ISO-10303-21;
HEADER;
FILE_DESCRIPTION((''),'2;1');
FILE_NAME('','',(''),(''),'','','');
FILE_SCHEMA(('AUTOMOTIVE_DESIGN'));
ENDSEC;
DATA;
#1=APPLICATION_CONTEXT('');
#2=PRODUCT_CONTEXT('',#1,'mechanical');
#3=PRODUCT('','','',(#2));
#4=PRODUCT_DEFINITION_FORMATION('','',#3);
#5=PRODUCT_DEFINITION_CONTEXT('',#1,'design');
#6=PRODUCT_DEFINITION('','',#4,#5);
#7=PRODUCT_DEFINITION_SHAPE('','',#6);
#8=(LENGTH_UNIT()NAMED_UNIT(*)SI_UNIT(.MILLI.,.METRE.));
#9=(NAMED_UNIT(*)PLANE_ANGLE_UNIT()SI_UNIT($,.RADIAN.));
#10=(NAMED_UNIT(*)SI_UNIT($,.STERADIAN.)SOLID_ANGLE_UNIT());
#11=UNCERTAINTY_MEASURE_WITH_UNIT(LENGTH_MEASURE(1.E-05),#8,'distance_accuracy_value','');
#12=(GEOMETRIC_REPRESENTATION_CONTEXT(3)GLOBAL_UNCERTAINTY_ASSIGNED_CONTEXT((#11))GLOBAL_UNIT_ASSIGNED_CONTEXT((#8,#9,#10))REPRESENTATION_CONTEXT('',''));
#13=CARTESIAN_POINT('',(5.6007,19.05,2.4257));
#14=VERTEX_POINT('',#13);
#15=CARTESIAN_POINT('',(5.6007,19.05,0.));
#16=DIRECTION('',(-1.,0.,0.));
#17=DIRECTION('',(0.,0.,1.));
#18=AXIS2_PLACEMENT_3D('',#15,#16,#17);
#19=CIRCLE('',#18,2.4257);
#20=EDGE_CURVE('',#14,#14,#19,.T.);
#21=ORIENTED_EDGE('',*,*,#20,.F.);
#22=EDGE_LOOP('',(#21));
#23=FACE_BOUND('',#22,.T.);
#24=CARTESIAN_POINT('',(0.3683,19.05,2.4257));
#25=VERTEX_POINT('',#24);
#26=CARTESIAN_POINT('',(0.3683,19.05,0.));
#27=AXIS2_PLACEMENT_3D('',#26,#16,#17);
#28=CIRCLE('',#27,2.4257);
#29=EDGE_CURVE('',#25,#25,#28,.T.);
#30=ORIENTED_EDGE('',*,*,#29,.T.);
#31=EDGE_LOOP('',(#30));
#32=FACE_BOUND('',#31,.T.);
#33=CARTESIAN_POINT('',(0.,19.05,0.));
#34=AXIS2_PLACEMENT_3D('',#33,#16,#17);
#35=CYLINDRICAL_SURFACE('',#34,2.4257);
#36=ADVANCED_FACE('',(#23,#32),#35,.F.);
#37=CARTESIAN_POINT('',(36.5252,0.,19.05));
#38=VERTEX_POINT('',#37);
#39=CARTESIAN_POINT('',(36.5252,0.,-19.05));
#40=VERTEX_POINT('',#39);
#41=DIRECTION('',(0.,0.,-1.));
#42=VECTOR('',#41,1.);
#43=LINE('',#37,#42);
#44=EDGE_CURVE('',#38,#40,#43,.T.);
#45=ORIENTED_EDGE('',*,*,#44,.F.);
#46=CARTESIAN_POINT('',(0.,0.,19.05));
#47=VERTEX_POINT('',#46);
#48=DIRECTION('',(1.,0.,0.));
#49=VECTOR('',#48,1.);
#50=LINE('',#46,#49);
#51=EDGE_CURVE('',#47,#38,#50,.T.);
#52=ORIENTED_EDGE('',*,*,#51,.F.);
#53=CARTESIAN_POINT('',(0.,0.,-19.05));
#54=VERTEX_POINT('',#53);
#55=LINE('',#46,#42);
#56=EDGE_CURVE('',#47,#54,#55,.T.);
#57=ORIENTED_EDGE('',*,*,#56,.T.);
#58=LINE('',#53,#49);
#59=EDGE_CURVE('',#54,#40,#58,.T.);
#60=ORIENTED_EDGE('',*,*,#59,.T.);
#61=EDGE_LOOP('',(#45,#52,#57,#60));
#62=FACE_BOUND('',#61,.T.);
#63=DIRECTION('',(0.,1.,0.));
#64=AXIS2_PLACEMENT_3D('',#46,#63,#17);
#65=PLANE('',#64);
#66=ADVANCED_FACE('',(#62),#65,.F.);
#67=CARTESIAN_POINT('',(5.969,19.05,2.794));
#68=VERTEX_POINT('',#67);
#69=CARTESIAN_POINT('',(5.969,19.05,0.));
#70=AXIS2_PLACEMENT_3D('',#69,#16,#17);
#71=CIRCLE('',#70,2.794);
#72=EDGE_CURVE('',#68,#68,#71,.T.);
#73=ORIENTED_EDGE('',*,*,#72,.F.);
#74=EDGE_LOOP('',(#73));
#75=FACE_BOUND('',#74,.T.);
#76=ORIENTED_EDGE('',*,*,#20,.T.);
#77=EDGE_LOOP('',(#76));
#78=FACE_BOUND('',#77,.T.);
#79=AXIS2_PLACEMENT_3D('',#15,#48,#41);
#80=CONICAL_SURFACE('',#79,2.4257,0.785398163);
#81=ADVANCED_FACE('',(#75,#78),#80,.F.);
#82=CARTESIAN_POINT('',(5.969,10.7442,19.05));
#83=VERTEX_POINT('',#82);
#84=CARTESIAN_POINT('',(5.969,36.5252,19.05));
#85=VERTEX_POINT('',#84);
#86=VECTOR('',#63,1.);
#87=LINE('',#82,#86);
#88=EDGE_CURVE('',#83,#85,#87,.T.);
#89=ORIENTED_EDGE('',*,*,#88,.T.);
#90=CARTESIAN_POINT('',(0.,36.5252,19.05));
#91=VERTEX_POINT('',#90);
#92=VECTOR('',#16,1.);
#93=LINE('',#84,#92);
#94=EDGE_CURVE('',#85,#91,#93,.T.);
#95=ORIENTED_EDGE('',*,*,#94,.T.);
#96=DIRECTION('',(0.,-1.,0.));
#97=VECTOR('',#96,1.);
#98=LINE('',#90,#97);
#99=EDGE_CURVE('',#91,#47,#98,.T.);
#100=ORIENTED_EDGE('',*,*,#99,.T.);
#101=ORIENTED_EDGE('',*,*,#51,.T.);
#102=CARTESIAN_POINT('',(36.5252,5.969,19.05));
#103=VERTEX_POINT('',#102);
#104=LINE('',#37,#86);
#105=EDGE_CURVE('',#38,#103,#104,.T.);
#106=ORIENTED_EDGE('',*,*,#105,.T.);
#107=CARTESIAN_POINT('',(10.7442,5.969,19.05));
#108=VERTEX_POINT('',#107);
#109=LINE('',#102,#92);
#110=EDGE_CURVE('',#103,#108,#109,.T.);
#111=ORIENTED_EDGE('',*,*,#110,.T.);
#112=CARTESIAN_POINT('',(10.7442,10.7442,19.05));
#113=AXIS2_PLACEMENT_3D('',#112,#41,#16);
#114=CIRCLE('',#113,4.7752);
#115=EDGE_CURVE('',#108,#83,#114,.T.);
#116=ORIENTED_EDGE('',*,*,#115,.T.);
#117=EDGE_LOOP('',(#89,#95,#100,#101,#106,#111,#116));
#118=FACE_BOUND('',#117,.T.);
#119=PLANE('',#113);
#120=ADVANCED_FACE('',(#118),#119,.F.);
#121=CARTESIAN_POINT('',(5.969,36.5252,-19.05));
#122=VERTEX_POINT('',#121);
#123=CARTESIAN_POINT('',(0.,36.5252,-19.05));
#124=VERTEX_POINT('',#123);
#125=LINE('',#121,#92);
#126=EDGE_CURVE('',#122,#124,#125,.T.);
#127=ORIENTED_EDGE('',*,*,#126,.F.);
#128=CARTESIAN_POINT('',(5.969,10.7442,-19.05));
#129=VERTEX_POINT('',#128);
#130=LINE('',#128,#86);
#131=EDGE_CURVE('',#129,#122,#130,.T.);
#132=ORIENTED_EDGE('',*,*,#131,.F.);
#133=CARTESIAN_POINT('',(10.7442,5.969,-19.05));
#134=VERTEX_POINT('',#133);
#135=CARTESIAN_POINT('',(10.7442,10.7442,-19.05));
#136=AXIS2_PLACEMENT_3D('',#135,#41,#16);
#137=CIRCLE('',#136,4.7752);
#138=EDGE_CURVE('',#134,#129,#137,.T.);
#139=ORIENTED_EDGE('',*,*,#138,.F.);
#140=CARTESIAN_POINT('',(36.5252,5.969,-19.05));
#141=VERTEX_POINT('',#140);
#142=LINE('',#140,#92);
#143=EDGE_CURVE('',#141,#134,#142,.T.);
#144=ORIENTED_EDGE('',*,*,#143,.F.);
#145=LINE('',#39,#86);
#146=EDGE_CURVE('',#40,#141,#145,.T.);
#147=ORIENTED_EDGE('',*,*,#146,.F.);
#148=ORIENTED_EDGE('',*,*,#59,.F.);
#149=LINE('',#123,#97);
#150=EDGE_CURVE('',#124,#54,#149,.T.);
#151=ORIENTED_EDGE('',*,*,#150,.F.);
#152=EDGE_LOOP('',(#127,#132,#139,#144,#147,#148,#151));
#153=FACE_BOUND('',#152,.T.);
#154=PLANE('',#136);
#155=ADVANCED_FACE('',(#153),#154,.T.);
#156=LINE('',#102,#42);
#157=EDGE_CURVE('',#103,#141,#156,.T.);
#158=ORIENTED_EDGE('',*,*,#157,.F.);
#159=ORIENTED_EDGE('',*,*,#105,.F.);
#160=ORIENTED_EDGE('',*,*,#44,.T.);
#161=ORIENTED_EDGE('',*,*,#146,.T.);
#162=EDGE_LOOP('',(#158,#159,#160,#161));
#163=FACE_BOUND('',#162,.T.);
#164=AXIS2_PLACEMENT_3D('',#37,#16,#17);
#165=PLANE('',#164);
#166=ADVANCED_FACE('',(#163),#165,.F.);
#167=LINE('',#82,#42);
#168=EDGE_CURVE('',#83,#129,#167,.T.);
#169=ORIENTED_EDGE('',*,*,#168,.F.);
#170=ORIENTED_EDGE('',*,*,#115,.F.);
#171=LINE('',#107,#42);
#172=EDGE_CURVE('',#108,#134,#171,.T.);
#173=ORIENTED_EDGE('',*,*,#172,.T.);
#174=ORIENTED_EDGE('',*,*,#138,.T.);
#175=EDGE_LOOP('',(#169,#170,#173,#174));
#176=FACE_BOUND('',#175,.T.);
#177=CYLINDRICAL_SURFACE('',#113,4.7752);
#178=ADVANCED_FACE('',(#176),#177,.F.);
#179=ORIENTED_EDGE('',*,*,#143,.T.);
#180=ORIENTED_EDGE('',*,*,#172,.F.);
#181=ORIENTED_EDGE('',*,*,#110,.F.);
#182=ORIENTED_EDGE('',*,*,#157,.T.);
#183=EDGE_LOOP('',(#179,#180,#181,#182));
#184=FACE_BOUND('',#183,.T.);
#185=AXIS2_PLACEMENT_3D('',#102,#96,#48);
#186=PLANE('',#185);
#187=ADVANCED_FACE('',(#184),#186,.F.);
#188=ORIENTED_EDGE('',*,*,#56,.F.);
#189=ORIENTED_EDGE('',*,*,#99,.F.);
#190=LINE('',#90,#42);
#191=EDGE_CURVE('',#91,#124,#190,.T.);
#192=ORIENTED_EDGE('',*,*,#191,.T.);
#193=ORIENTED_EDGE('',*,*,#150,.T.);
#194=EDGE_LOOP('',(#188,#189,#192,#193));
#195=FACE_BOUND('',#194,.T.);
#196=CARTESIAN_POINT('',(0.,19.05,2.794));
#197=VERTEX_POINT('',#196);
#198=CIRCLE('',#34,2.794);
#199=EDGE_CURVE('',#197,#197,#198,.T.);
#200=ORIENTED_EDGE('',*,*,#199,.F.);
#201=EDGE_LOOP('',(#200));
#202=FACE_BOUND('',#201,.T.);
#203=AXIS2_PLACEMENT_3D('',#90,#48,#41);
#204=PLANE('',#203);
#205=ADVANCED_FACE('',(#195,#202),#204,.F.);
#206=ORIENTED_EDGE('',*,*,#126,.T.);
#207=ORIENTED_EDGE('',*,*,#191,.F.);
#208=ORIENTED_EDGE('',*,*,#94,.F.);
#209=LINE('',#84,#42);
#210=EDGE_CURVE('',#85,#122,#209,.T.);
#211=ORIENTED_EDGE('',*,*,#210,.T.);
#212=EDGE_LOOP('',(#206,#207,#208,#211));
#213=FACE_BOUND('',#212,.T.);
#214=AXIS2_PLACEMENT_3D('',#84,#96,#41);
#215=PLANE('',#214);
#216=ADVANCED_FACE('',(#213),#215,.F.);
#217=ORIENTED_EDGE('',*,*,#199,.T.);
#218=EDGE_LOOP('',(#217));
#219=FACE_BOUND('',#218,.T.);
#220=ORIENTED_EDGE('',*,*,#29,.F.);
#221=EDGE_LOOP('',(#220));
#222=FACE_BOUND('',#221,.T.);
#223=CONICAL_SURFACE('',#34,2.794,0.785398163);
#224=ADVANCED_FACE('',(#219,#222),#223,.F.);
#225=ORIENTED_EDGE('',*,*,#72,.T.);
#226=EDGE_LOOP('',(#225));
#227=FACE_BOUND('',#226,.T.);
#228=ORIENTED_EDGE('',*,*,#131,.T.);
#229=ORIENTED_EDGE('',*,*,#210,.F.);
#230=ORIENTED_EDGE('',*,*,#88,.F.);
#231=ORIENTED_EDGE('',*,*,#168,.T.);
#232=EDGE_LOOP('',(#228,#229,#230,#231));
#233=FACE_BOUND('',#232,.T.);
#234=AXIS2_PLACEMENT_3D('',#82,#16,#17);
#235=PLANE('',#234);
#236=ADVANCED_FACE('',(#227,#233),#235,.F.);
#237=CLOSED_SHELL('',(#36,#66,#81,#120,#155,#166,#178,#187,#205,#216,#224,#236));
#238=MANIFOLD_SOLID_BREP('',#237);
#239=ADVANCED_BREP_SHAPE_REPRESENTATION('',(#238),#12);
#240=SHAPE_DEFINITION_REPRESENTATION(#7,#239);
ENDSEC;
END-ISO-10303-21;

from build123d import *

# Parameters (mm, degrees)
BOSS_EXTRUDE1_DEPTH = 19.05


with BuildPart() as part:
    # Sketch1 → Boss-Extrude1 (new, symmetric)
    with BuildSketch(Plane.XY):
        with BuildLine():
            Line((0, 36.5252), (0, 0))
            Line((0, 0), (36.5252, 0))
            Line((36.5252, 0), (36.5252, 5.969))
            Line((36.5252, 5.969), (10.7442, 5.969))
            ThreePointArc((10.7442, 5.969), (7.367623698, 7.367623698), (5.969, 10.7442))
            Line((5.969, 10.7442), (5.969, 36.5252))
            Line((5.969, 36.5252), (0, 36.5252))
        make_face()
    extrude(amount=BOSS_EXTRUDE1_DEPTH, both=True)

    # Sketch9 → #11 (0.191) Diameter Hole1 (revolve, cut)
    with BuildSketch(Plane.ZX.offset(19.05)):
        Polygon((0, 0), (0, 5.969), (2.794, 5.969), (2.4257, 5.6007), (2.4257, 0.3683), (2.794, 0), align=None)
    revolve(axis=Axis((-6.35, 19.05, 0), (1, 0, 0)), mode=Mode.SUBTRACT)


solid = part.part
